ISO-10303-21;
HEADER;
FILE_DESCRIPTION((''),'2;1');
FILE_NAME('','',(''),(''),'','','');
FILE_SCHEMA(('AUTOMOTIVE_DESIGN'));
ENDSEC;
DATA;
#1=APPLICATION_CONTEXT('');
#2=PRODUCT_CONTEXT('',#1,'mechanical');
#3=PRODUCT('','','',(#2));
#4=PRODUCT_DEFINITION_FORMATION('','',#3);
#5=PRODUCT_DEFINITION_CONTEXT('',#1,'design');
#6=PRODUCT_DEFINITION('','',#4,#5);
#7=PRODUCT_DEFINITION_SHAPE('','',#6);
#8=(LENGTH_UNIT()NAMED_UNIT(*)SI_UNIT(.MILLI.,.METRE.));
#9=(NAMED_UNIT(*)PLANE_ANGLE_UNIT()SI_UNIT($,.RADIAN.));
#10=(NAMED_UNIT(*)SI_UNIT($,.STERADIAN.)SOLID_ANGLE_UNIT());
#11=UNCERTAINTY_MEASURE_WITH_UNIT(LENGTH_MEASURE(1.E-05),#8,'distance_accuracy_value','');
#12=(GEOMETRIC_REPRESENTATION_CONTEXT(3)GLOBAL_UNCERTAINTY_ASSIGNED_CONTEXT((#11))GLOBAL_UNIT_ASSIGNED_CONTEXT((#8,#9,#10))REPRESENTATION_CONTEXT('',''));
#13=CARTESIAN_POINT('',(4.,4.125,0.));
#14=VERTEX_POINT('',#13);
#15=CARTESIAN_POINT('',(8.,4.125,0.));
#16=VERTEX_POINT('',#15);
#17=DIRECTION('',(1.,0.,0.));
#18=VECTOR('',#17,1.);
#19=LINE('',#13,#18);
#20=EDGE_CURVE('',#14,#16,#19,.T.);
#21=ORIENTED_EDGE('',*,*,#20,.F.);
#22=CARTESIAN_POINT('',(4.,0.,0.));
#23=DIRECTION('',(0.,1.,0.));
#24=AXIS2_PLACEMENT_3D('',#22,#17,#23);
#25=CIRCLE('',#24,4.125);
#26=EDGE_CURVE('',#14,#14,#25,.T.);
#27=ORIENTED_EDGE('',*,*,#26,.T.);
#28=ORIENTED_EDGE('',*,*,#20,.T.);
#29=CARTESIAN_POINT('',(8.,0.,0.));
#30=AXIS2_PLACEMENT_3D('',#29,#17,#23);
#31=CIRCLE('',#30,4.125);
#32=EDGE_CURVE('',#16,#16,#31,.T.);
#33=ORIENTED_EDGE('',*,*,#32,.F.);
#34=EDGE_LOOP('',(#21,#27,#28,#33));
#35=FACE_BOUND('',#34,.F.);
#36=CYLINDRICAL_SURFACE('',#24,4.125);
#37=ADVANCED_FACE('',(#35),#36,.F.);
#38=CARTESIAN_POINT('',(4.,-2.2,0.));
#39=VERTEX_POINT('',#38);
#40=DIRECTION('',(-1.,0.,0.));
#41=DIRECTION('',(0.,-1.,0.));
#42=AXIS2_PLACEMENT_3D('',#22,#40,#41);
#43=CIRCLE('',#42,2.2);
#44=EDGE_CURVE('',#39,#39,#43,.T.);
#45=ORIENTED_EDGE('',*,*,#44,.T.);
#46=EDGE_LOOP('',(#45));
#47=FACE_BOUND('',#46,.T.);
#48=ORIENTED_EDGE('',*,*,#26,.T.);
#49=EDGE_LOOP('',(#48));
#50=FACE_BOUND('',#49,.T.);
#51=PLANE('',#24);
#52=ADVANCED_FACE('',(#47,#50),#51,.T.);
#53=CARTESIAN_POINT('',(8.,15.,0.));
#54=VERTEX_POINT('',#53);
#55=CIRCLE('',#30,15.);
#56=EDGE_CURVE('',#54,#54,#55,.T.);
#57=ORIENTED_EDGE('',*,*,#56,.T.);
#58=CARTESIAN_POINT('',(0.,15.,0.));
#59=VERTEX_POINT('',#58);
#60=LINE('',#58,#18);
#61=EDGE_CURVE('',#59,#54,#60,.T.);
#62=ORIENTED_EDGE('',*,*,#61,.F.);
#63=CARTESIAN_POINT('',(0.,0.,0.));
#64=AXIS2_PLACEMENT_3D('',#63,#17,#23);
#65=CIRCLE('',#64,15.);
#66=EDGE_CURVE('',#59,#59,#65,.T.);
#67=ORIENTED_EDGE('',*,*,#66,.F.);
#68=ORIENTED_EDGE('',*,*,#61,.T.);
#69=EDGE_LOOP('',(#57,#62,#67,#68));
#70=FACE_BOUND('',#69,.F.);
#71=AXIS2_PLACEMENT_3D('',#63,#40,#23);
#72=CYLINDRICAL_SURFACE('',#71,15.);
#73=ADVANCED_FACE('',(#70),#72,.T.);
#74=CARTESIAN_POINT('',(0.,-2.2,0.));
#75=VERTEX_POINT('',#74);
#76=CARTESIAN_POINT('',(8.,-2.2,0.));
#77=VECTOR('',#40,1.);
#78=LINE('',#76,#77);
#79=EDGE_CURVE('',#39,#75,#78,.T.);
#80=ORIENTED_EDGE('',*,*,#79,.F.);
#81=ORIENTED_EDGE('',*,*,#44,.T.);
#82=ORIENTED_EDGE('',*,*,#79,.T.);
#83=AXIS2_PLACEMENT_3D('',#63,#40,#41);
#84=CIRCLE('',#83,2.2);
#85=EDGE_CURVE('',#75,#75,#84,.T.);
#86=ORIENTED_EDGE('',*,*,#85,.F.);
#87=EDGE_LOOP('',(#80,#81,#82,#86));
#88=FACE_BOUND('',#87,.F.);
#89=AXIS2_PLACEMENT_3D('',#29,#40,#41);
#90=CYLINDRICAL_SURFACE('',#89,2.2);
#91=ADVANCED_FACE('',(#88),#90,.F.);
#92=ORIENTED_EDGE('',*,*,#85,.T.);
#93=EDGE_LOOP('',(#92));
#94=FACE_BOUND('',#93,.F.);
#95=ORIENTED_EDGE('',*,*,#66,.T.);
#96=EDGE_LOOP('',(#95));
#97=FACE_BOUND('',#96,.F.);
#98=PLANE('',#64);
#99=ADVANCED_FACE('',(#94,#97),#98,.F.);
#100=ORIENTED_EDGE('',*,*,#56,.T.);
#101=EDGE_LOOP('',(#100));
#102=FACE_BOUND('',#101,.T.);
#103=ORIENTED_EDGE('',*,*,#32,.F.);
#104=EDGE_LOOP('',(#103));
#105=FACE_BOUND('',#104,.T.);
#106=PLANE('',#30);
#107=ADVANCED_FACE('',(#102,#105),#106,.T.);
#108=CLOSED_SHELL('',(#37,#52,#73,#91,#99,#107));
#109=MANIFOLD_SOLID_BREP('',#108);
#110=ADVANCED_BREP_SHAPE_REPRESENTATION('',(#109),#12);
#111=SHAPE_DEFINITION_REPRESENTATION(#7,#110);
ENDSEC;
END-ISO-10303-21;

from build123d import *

# Parameters (mm, degrees)
F0_R           = 15
F1_DEPTH       = 8
F3_D           = 4.4
F3_CBORE_D     = 8.25
F3_CBORE_DEPTH = 4


with BuildPart() as f1:
    # F0 (on Right) → F1 (new body)
    with BuildSketch(Plane.YZ):
        Circle(F0_R)
    extrude(amount=F1_DEPTH)

    # F3 (through all)
    with Locations(Plane.YZ.offset(8)):
        with Locations((0, 0)):
            CounterBoreHole(F3_D / 2, F3_CBORE_D / 2, F3_CBORE_DEPTH)


solid = f1.part
